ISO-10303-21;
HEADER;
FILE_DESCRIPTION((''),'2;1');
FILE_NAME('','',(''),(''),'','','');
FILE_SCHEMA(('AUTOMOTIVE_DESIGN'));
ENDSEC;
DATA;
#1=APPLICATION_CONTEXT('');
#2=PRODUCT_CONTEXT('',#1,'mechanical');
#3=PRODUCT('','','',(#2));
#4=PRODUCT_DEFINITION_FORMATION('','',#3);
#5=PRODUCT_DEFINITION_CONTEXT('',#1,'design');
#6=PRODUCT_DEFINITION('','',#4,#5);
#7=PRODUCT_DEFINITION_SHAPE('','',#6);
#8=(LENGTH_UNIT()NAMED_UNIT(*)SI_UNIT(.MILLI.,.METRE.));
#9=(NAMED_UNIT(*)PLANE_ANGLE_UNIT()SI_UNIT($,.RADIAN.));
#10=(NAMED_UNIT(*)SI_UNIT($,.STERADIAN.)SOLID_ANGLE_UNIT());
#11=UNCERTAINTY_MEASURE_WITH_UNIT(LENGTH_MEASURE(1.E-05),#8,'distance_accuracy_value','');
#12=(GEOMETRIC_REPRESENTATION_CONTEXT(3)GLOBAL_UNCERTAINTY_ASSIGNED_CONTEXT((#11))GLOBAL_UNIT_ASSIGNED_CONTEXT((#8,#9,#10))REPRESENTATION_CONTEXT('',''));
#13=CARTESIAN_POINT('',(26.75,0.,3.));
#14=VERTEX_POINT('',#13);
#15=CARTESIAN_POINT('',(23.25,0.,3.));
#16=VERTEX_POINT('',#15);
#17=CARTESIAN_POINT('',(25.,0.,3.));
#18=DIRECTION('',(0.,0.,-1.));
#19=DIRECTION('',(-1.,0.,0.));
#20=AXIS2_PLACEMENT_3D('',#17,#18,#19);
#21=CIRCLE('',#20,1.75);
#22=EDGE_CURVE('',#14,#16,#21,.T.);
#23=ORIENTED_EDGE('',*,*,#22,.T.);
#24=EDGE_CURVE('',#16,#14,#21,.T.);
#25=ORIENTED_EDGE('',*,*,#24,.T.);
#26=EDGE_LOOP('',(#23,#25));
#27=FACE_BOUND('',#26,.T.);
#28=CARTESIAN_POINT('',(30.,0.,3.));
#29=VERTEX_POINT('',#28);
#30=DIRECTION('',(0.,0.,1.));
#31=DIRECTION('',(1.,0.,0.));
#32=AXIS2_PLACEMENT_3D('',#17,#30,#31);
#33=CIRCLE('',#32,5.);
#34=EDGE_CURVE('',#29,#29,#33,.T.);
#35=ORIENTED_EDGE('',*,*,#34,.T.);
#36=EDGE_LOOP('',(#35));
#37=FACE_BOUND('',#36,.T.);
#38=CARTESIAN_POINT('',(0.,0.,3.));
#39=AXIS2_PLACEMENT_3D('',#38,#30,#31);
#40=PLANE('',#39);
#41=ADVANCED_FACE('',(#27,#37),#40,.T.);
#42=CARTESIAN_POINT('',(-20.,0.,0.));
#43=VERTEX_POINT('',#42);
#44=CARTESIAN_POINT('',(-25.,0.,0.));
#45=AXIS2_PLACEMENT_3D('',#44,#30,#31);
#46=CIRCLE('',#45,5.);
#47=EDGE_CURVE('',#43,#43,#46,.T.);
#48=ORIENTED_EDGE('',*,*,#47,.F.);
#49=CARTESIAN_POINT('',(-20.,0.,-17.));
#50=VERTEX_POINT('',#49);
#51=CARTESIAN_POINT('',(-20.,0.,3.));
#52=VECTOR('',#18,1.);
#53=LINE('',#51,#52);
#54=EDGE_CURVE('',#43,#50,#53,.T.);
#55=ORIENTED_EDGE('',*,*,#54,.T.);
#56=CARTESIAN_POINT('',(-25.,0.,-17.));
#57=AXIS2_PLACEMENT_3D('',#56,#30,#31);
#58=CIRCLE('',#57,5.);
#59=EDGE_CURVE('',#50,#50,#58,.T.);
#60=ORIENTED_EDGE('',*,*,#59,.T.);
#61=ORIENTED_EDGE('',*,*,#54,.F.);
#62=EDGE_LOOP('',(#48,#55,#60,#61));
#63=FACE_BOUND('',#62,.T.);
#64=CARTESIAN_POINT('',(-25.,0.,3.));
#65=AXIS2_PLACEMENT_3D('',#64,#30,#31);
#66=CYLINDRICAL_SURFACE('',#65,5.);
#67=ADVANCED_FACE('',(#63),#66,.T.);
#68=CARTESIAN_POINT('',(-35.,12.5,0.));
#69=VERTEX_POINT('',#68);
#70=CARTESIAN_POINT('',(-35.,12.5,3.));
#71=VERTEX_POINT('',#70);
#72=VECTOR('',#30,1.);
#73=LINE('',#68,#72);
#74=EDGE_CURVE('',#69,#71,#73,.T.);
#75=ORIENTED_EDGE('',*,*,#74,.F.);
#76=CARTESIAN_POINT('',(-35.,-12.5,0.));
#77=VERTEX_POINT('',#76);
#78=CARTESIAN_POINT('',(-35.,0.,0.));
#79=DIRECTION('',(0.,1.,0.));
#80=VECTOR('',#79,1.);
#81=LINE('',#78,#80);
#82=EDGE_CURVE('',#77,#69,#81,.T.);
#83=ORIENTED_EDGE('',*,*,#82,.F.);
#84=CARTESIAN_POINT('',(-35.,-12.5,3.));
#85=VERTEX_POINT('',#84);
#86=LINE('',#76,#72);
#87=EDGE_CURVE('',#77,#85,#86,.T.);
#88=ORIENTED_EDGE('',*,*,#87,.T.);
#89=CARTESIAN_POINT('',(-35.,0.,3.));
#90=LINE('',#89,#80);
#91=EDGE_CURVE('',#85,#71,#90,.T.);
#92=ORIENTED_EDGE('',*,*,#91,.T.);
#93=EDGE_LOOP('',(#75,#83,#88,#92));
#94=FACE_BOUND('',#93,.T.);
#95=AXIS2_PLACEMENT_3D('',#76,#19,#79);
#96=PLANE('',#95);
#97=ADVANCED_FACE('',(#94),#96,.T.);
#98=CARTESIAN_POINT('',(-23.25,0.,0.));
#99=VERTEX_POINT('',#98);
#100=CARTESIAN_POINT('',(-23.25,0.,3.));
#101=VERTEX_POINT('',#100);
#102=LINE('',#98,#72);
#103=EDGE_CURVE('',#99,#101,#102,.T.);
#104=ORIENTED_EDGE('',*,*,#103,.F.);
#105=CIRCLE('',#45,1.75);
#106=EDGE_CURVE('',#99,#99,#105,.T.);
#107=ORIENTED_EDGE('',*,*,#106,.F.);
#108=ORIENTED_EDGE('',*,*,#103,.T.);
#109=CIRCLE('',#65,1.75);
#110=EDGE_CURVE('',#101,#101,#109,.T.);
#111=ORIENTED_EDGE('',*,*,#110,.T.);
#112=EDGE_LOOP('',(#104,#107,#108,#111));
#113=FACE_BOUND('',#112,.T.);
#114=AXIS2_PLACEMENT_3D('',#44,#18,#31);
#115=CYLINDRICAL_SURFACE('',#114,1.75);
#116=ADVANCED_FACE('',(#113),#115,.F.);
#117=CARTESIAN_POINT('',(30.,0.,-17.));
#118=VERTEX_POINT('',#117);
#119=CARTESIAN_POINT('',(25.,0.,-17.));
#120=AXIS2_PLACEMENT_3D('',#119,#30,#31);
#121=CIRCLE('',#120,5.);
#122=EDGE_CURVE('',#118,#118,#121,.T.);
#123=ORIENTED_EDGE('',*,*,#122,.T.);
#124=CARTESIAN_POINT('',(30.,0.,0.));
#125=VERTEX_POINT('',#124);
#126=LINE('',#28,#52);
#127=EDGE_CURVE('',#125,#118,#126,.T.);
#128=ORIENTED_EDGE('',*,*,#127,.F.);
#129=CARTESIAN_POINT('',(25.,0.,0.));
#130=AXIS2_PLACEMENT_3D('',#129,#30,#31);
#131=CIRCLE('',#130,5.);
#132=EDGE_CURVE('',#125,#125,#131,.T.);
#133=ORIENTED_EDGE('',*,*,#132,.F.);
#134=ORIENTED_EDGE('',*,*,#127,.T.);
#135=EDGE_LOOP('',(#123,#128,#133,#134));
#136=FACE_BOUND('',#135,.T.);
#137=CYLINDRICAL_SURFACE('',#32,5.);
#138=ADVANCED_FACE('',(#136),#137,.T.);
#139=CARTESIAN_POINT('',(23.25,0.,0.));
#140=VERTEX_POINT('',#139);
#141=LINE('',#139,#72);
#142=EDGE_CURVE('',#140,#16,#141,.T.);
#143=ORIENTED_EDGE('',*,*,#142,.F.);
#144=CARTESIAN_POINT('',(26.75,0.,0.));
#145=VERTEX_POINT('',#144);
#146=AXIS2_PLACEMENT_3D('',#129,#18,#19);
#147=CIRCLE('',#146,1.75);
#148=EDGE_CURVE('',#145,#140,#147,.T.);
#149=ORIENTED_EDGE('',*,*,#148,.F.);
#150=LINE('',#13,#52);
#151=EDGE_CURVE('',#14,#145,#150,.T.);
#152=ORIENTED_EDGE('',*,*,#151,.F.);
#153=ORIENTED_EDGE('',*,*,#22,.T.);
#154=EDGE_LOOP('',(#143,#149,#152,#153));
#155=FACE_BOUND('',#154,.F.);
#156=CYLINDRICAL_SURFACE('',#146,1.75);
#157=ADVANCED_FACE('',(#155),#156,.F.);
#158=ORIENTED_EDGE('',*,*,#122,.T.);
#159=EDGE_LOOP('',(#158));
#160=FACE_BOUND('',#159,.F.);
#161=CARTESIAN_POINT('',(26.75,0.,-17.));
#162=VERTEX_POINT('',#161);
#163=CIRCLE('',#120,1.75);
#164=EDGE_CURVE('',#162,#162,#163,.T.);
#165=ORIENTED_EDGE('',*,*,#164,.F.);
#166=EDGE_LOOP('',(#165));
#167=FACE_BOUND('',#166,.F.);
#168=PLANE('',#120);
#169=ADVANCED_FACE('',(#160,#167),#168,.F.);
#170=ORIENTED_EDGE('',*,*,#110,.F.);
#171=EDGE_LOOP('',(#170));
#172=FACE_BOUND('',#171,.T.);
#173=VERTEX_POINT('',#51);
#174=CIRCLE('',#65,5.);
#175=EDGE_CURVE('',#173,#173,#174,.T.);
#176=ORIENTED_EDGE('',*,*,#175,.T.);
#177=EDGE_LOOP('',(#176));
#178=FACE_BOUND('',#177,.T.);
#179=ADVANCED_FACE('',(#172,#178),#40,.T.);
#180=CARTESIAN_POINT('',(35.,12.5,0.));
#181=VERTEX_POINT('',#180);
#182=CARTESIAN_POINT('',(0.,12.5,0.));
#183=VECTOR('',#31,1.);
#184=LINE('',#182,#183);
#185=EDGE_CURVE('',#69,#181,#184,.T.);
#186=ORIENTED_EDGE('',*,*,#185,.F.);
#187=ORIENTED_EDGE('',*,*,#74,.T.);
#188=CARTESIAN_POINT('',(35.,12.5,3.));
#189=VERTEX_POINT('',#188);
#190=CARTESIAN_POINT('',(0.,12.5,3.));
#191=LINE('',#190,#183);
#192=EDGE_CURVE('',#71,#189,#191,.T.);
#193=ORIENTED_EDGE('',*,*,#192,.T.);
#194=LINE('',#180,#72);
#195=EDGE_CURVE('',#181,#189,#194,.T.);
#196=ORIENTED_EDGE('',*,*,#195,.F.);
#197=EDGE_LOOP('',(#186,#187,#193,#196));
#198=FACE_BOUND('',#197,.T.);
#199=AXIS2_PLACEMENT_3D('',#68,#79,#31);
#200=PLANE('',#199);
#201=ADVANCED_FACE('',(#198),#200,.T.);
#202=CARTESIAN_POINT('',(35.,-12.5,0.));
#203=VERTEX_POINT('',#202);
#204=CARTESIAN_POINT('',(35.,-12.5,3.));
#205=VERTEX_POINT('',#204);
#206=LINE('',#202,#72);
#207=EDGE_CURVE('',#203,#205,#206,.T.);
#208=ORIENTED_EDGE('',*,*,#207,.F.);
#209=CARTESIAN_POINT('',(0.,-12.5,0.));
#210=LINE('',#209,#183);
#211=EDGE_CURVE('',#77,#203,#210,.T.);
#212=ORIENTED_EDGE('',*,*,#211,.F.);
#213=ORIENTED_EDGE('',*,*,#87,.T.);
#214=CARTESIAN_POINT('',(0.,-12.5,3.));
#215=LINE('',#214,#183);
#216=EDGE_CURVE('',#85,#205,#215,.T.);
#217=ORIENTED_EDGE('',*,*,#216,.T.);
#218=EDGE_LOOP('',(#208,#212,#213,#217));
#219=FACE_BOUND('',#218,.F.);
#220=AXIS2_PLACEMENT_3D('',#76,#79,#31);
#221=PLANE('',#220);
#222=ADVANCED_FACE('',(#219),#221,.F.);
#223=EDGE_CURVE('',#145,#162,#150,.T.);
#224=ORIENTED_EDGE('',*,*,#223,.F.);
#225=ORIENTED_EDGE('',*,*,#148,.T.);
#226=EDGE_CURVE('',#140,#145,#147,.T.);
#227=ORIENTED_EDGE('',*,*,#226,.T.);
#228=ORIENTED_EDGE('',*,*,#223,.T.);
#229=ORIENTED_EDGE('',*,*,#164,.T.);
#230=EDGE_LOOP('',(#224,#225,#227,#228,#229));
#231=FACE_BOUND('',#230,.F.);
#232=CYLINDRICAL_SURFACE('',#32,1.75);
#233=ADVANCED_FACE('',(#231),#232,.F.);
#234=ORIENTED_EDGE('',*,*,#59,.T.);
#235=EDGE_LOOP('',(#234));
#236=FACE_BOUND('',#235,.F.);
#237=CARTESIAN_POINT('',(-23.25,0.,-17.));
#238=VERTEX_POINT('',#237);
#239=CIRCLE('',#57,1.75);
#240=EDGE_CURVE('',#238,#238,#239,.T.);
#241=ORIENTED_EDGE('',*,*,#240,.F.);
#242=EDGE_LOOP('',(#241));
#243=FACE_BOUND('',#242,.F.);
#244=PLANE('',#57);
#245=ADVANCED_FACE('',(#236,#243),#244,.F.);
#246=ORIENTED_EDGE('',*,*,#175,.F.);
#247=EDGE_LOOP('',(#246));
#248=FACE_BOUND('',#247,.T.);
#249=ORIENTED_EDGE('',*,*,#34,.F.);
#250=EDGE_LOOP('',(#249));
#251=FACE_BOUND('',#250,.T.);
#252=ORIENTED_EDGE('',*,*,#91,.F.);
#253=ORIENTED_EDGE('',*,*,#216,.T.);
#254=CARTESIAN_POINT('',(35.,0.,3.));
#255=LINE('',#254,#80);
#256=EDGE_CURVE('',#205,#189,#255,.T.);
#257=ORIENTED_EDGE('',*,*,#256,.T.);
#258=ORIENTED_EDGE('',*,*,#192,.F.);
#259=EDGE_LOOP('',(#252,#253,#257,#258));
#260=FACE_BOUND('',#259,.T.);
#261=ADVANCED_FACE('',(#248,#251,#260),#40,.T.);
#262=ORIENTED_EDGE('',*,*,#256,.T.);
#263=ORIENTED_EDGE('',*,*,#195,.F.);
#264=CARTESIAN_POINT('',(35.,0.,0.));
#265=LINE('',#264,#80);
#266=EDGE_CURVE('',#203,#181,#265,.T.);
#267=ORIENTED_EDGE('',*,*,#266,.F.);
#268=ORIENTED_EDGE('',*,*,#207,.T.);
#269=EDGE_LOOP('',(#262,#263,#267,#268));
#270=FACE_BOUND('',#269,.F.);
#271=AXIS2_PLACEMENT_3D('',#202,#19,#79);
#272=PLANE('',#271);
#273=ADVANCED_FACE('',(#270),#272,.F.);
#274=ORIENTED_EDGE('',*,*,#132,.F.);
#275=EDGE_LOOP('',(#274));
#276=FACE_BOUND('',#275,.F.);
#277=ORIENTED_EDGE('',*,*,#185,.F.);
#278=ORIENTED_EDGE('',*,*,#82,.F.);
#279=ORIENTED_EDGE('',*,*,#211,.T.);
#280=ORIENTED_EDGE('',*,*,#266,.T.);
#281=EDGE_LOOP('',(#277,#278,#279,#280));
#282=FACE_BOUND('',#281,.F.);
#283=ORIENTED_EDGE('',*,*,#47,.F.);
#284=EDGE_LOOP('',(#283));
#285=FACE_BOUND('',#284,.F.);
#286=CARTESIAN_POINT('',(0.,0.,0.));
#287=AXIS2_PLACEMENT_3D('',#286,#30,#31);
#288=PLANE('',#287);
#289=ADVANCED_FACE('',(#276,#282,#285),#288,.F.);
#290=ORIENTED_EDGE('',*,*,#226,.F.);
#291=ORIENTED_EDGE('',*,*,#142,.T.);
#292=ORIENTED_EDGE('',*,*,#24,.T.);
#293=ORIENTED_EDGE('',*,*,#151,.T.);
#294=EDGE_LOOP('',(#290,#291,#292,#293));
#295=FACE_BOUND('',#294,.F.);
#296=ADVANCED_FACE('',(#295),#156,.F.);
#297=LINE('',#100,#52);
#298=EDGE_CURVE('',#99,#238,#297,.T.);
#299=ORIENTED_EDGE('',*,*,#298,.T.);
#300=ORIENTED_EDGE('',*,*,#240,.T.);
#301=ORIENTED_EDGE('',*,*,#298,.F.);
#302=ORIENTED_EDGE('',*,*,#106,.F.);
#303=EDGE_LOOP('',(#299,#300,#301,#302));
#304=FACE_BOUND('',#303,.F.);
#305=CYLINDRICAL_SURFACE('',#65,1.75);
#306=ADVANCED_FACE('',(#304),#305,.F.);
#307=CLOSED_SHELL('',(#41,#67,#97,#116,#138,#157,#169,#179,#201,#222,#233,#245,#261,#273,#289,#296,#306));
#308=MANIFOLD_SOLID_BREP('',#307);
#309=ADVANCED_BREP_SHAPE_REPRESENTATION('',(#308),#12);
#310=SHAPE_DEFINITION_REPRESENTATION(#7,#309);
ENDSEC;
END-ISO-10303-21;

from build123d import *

# Parameters (mm, degrees)
F0_W     = 70
F0_H     = 25
F0_R     = 1.75
F1_DEPTH = 3
F2_R     = 5
F2_R_2   = 1.75
F3_DEPTH = 20


with BuildPart() as f1:
    # F0 (on Top) → F1 (new body)
    with BuildSketch(Plane.XY):
        Rectangle(F0_W, F0_H)
        with Locations((-25, 0)):
            Circle(F0_R, mode=Mode.SUBTRACT)
        with BuildLine():
            ThreePointArc((26.75, 0), (25, -1.75), (23.25, 0))
            ThreePointArc((23.25, 0), (25, 1.75), (26.75, 0))
        make_face(mode=Mode.SUBTRACT)
    extrude(amount=F1_DEPTH)

    # F2 (on face) → F3 (join)
    with BuildSketch(Plane.XY.offset(3)):
        with Locations((-25, 0)):
            Circle(F2_R)
        with Locations((-25, 0)):
            Circle(F2_R_2, mode=Mode.SUBTRACT)
        with Locations((25, 0)):
            Circle(F2_R)
        with Locations((25, 0)):
            Circle(F2_R_2, mode=Mode.SUBTRACT)
    extrude(amount=-F3_DEPTH)


solid = f1.part
